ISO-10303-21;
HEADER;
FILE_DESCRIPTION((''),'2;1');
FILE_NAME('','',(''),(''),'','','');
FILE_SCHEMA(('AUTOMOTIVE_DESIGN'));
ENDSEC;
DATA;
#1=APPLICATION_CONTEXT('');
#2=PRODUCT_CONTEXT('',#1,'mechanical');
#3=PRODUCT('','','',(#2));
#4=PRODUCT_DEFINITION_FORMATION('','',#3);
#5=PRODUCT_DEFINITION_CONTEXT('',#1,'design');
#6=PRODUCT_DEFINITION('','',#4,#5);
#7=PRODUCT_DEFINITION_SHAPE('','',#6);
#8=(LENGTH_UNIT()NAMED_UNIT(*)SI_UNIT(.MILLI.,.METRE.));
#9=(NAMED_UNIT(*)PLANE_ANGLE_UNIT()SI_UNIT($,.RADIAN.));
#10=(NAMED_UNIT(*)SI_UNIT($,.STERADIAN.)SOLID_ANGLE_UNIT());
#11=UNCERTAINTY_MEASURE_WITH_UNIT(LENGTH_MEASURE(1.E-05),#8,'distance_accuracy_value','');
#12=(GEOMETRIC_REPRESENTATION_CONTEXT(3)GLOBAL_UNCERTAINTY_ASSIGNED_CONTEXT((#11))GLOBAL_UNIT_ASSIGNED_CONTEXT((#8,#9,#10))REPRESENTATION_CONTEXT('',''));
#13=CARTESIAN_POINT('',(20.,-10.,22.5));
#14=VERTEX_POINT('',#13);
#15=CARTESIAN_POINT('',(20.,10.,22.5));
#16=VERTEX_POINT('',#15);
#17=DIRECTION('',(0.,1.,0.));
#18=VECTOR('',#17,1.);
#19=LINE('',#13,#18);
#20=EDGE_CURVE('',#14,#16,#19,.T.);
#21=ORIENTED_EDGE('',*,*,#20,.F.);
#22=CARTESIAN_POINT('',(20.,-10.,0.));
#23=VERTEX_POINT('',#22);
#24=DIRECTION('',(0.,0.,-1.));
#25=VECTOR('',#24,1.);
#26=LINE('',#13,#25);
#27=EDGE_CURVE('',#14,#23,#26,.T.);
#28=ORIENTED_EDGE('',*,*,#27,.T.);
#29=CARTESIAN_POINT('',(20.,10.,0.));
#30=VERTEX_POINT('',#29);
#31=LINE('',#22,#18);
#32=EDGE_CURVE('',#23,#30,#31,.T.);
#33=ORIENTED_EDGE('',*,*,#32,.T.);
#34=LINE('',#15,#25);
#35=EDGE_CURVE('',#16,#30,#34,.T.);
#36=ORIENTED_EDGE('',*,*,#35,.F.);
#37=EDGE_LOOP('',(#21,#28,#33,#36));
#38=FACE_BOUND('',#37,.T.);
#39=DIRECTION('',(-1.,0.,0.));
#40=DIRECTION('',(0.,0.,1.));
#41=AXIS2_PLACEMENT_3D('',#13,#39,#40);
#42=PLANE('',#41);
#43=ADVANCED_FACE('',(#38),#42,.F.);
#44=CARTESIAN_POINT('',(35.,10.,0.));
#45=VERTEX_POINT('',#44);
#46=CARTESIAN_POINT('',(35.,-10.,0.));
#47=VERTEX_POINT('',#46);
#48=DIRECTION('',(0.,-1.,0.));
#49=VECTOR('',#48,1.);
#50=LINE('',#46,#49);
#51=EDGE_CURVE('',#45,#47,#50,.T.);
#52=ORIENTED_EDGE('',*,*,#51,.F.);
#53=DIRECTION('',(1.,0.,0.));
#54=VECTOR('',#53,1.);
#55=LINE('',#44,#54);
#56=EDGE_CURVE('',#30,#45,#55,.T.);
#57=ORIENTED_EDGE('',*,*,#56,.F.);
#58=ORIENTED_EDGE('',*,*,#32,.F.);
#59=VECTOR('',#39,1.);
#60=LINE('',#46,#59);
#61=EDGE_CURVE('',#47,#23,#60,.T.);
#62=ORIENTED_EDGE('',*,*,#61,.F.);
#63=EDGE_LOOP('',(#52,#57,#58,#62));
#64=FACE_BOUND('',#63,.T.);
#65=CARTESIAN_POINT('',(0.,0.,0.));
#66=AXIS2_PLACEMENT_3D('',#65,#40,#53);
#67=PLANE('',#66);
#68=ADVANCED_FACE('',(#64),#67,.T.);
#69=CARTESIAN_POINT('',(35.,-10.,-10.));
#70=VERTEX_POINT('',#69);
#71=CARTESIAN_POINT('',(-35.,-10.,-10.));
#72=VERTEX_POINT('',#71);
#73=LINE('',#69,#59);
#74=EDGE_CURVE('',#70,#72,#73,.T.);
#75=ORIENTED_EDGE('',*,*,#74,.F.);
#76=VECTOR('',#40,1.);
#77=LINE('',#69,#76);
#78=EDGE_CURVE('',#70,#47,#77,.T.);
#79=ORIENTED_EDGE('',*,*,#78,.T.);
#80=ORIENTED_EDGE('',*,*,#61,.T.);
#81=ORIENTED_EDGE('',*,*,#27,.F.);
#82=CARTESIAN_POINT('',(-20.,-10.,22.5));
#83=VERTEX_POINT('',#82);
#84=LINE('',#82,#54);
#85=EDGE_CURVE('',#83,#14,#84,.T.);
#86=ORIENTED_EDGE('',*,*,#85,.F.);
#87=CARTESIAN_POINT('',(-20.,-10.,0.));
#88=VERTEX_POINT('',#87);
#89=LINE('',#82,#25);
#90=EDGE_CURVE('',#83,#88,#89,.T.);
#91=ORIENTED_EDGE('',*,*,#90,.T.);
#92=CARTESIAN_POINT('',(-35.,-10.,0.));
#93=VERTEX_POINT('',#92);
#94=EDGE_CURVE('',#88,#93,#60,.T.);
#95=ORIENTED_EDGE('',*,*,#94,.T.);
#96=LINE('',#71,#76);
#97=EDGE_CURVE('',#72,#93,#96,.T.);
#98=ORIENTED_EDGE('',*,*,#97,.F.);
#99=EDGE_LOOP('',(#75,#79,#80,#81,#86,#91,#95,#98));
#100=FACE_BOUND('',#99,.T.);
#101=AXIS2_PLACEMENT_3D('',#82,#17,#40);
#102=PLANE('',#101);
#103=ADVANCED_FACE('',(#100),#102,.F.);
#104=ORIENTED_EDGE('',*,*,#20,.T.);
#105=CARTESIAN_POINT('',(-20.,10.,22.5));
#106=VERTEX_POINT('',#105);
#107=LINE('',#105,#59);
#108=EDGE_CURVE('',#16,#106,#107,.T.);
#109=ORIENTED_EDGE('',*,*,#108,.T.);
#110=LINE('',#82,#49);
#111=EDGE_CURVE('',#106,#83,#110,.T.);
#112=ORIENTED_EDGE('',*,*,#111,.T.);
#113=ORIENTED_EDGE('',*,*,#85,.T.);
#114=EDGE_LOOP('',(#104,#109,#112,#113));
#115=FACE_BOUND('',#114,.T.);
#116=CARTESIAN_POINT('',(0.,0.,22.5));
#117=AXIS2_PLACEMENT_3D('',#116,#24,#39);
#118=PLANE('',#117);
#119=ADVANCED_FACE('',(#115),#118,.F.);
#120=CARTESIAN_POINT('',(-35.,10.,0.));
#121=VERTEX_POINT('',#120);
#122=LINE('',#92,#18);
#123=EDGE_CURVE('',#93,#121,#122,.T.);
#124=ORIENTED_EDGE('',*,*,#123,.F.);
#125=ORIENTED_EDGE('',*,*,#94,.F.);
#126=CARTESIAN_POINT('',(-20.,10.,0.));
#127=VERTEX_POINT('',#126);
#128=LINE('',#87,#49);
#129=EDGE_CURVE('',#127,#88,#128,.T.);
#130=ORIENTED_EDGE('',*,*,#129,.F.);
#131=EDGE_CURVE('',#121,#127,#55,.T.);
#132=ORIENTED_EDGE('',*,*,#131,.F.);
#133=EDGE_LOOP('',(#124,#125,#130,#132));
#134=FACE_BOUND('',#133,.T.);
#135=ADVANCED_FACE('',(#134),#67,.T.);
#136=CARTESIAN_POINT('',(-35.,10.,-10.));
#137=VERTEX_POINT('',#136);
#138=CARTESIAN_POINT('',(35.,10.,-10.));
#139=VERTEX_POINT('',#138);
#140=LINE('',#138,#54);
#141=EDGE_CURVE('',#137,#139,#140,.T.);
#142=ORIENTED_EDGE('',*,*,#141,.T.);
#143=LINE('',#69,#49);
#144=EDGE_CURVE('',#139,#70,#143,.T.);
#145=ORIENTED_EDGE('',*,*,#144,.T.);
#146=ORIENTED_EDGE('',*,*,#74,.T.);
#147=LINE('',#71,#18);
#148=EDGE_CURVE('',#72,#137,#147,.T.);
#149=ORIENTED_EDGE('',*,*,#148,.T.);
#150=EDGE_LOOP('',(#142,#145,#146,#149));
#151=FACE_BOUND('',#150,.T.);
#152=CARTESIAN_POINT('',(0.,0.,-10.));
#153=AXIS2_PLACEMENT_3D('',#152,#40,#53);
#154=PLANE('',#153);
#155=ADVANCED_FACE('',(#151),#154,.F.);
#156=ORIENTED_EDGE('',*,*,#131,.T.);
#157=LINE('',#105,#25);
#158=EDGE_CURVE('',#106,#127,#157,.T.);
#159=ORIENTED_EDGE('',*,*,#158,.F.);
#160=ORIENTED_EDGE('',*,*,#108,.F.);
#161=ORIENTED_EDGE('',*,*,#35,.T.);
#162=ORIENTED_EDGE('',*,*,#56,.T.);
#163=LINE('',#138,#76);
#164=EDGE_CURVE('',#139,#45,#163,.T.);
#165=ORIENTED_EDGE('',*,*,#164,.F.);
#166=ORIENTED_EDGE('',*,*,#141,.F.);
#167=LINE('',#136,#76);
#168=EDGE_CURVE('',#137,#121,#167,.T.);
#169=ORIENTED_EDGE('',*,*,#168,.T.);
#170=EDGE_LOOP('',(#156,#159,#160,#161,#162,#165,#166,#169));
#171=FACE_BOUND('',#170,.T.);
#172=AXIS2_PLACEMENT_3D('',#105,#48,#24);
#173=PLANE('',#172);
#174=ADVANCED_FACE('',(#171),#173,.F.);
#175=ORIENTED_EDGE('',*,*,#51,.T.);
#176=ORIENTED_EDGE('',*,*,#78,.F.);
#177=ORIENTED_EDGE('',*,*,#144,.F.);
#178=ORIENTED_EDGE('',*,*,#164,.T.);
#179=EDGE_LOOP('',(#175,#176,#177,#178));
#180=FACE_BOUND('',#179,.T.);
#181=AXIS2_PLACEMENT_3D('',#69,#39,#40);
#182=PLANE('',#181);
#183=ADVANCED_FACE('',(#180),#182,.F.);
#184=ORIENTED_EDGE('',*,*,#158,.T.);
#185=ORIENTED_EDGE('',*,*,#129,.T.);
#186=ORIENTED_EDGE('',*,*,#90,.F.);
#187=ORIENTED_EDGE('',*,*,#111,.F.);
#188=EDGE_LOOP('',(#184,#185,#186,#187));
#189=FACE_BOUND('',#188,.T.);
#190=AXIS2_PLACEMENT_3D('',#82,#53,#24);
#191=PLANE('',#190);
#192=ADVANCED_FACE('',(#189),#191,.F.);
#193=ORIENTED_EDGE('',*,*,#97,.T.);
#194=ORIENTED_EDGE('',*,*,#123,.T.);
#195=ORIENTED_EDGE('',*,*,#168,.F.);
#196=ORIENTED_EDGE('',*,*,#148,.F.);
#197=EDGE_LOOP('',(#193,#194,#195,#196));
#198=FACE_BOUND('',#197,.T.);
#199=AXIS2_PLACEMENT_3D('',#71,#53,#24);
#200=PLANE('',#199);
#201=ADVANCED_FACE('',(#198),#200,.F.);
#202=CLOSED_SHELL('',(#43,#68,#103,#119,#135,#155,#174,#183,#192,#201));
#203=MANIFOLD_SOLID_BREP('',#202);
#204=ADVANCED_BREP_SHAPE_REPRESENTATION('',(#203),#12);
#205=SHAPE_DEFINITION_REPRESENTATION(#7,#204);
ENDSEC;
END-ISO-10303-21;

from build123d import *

# Parameters (mm, degrees)
SKETCH1_W           = 40
SKETCH1_H           = 20
BOSS_EXTRUDE1_DEPTH = 22.5
SKETCH2_W           = 70
SKETCH2_H           = 20
BOSS_EXTRUDE2_DEPTH = 10


with BuildPart() as part:
    # Sketch1 → Boss-Extrude1 (new body)
    with BuildSketch(Plane.XY):
        Rectangle(SKETCH1_W, SKETCH1_H)
    extrude(amount=BOSS_EXTRUDE1_DEPTH)

    # Sketch2 → Boss-Extrude2 (add)
    with BuildSketch(Plane(origin=(0, 0, 0), x_dir=(-1, 0, 0), z_dir=(0, 0, -1))):
        Rectangle(SKETCH2_W, SKETCH2_H)
    extrude(amount=BOSS_EXTRUDE2_DEPTH)


solid = part.part
